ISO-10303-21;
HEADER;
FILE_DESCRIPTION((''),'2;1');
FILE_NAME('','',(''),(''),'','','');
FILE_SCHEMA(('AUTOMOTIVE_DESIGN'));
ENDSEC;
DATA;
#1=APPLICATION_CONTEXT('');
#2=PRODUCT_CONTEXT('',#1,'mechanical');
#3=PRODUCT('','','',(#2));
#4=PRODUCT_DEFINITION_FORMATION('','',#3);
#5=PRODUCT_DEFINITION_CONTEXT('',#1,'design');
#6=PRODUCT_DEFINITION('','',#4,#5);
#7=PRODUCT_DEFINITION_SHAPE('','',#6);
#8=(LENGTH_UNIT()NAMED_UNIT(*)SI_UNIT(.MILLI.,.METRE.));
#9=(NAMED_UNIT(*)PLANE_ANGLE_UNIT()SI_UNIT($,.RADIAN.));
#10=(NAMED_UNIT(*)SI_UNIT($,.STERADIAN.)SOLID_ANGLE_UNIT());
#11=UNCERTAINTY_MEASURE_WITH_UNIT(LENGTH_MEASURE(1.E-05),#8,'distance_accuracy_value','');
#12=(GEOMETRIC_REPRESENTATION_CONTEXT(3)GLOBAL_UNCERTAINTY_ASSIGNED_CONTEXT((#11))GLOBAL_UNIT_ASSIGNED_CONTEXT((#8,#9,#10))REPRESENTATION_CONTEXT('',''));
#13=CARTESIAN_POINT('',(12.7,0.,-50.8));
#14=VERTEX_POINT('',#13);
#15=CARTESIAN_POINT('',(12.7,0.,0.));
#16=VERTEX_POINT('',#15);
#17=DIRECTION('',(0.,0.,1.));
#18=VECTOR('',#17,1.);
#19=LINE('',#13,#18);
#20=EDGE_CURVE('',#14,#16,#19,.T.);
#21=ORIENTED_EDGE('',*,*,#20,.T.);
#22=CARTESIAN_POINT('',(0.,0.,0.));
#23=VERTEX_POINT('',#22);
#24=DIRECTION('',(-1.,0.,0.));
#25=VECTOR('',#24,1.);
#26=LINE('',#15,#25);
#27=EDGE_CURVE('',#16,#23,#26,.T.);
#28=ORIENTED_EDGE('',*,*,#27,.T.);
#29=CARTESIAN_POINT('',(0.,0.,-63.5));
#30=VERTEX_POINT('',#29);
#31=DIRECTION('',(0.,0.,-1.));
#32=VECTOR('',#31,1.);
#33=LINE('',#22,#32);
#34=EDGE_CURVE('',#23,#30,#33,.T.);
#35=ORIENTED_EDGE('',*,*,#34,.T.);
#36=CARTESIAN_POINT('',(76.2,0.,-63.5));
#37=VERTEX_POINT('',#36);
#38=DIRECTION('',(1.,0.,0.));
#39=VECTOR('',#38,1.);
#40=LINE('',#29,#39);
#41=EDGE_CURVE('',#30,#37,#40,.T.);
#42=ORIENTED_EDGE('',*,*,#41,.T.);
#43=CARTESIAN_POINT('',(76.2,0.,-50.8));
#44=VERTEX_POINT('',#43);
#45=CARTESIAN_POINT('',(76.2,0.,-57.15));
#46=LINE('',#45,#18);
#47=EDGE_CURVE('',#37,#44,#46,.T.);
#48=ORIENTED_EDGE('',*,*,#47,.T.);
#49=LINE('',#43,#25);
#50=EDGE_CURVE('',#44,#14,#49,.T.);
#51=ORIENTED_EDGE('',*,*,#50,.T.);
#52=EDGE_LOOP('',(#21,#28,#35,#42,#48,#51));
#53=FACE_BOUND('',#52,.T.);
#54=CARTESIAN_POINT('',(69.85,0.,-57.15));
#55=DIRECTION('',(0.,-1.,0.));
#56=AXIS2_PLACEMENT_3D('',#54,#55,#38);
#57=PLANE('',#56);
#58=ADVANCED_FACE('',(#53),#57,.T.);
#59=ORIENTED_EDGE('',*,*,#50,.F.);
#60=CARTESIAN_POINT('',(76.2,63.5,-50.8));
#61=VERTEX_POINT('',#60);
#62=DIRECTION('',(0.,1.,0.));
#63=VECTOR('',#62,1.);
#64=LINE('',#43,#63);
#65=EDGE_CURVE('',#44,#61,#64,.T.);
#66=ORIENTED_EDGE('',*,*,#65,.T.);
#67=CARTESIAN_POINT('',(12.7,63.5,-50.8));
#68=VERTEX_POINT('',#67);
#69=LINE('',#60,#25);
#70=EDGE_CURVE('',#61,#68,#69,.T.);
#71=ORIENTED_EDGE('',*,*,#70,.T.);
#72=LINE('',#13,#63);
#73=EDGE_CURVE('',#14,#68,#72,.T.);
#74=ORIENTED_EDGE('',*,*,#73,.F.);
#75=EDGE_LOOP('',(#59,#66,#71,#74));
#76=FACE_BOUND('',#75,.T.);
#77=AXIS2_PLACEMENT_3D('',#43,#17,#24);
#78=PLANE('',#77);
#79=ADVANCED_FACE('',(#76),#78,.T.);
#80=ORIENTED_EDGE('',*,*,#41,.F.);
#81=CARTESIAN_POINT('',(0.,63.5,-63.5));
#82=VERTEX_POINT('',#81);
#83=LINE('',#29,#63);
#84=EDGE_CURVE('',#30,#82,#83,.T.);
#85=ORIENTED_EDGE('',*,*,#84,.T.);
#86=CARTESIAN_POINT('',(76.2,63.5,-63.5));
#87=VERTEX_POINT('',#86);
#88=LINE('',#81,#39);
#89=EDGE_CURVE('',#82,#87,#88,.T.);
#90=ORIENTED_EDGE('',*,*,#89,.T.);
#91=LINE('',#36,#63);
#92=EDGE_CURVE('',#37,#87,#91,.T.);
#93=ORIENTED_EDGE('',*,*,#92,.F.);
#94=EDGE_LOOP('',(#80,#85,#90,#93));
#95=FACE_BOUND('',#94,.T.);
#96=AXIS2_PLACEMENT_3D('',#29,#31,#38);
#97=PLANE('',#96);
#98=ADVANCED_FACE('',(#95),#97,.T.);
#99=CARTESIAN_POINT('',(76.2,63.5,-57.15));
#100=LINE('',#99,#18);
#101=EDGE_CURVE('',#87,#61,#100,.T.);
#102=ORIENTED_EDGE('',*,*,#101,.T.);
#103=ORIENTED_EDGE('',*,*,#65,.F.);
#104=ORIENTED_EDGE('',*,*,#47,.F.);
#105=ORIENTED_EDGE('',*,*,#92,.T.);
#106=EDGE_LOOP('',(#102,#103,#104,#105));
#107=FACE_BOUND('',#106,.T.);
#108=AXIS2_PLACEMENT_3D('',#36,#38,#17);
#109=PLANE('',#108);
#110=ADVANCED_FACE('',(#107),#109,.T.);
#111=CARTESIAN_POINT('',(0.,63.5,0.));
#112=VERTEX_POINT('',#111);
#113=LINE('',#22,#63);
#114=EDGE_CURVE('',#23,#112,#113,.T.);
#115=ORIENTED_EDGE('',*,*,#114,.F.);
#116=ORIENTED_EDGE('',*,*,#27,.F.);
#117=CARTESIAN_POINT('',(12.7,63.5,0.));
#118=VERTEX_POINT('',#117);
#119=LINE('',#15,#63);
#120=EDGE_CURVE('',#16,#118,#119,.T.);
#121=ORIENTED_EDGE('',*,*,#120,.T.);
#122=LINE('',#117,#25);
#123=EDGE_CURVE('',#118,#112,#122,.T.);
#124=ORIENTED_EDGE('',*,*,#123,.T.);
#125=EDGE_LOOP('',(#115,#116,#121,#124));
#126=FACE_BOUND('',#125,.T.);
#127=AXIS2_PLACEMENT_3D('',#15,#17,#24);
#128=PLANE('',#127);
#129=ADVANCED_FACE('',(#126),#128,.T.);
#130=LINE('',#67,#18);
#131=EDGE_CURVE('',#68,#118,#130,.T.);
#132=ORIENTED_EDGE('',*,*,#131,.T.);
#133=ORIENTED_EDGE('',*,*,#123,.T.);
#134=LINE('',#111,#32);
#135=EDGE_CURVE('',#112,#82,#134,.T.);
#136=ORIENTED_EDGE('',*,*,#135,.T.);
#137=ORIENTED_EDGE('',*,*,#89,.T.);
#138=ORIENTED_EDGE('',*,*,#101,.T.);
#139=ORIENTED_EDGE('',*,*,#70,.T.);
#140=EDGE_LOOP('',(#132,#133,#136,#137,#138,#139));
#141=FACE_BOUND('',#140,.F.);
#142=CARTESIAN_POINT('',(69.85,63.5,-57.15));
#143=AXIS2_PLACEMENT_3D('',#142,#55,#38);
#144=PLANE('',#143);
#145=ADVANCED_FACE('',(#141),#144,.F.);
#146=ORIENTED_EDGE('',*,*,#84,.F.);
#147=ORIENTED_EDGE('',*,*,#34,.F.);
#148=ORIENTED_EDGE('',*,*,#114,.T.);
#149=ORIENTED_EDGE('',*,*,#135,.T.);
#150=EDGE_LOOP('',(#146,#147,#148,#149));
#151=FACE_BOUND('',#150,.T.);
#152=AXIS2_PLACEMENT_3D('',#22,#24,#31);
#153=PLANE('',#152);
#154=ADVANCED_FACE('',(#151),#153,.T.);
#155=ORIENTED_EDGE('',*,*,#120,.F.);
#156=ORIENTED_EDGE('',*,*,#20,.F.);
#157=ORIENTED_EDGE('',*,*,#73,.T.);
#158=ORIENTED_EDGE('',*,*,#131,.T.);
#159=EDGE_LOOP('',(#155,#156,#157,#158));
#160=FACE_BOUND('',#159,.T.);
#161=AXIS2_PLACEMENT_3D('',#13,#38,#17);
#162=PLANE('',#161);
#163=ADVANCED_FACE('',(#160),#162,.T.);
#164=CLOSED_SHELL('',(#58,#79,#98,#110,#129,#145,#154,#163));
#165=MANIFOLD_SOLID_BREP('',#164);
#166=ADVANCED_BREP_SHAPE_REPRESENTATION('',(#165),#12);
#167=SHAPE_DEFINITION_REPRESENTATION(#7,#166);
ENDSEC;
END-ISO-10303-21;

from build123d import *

# Parameters (mm, degrees)
F0_W     = 12.7
F0_H     = 12.7
F0_W_2   = 50.8
F1_DEPTH = 63.5


with BuildPart() as f1:
    # F0 (on Front) → F1 (new body)
    with BuildSketch(Plane.XZ):
        with Locations((69.85, -57.15)):
            Rectangle(F0_W, F0_H)
        with Locations((38.1, -57.15)):
            Rectangle(F0_W_2, F0_H)
        Polygon((12.7, 0), (0, 0), (0, -63.5), (12.7, -63.5), (12.7, -50.8), align=None)
    extrude(amount=-F1_DEPTH)


solid = f1.part
